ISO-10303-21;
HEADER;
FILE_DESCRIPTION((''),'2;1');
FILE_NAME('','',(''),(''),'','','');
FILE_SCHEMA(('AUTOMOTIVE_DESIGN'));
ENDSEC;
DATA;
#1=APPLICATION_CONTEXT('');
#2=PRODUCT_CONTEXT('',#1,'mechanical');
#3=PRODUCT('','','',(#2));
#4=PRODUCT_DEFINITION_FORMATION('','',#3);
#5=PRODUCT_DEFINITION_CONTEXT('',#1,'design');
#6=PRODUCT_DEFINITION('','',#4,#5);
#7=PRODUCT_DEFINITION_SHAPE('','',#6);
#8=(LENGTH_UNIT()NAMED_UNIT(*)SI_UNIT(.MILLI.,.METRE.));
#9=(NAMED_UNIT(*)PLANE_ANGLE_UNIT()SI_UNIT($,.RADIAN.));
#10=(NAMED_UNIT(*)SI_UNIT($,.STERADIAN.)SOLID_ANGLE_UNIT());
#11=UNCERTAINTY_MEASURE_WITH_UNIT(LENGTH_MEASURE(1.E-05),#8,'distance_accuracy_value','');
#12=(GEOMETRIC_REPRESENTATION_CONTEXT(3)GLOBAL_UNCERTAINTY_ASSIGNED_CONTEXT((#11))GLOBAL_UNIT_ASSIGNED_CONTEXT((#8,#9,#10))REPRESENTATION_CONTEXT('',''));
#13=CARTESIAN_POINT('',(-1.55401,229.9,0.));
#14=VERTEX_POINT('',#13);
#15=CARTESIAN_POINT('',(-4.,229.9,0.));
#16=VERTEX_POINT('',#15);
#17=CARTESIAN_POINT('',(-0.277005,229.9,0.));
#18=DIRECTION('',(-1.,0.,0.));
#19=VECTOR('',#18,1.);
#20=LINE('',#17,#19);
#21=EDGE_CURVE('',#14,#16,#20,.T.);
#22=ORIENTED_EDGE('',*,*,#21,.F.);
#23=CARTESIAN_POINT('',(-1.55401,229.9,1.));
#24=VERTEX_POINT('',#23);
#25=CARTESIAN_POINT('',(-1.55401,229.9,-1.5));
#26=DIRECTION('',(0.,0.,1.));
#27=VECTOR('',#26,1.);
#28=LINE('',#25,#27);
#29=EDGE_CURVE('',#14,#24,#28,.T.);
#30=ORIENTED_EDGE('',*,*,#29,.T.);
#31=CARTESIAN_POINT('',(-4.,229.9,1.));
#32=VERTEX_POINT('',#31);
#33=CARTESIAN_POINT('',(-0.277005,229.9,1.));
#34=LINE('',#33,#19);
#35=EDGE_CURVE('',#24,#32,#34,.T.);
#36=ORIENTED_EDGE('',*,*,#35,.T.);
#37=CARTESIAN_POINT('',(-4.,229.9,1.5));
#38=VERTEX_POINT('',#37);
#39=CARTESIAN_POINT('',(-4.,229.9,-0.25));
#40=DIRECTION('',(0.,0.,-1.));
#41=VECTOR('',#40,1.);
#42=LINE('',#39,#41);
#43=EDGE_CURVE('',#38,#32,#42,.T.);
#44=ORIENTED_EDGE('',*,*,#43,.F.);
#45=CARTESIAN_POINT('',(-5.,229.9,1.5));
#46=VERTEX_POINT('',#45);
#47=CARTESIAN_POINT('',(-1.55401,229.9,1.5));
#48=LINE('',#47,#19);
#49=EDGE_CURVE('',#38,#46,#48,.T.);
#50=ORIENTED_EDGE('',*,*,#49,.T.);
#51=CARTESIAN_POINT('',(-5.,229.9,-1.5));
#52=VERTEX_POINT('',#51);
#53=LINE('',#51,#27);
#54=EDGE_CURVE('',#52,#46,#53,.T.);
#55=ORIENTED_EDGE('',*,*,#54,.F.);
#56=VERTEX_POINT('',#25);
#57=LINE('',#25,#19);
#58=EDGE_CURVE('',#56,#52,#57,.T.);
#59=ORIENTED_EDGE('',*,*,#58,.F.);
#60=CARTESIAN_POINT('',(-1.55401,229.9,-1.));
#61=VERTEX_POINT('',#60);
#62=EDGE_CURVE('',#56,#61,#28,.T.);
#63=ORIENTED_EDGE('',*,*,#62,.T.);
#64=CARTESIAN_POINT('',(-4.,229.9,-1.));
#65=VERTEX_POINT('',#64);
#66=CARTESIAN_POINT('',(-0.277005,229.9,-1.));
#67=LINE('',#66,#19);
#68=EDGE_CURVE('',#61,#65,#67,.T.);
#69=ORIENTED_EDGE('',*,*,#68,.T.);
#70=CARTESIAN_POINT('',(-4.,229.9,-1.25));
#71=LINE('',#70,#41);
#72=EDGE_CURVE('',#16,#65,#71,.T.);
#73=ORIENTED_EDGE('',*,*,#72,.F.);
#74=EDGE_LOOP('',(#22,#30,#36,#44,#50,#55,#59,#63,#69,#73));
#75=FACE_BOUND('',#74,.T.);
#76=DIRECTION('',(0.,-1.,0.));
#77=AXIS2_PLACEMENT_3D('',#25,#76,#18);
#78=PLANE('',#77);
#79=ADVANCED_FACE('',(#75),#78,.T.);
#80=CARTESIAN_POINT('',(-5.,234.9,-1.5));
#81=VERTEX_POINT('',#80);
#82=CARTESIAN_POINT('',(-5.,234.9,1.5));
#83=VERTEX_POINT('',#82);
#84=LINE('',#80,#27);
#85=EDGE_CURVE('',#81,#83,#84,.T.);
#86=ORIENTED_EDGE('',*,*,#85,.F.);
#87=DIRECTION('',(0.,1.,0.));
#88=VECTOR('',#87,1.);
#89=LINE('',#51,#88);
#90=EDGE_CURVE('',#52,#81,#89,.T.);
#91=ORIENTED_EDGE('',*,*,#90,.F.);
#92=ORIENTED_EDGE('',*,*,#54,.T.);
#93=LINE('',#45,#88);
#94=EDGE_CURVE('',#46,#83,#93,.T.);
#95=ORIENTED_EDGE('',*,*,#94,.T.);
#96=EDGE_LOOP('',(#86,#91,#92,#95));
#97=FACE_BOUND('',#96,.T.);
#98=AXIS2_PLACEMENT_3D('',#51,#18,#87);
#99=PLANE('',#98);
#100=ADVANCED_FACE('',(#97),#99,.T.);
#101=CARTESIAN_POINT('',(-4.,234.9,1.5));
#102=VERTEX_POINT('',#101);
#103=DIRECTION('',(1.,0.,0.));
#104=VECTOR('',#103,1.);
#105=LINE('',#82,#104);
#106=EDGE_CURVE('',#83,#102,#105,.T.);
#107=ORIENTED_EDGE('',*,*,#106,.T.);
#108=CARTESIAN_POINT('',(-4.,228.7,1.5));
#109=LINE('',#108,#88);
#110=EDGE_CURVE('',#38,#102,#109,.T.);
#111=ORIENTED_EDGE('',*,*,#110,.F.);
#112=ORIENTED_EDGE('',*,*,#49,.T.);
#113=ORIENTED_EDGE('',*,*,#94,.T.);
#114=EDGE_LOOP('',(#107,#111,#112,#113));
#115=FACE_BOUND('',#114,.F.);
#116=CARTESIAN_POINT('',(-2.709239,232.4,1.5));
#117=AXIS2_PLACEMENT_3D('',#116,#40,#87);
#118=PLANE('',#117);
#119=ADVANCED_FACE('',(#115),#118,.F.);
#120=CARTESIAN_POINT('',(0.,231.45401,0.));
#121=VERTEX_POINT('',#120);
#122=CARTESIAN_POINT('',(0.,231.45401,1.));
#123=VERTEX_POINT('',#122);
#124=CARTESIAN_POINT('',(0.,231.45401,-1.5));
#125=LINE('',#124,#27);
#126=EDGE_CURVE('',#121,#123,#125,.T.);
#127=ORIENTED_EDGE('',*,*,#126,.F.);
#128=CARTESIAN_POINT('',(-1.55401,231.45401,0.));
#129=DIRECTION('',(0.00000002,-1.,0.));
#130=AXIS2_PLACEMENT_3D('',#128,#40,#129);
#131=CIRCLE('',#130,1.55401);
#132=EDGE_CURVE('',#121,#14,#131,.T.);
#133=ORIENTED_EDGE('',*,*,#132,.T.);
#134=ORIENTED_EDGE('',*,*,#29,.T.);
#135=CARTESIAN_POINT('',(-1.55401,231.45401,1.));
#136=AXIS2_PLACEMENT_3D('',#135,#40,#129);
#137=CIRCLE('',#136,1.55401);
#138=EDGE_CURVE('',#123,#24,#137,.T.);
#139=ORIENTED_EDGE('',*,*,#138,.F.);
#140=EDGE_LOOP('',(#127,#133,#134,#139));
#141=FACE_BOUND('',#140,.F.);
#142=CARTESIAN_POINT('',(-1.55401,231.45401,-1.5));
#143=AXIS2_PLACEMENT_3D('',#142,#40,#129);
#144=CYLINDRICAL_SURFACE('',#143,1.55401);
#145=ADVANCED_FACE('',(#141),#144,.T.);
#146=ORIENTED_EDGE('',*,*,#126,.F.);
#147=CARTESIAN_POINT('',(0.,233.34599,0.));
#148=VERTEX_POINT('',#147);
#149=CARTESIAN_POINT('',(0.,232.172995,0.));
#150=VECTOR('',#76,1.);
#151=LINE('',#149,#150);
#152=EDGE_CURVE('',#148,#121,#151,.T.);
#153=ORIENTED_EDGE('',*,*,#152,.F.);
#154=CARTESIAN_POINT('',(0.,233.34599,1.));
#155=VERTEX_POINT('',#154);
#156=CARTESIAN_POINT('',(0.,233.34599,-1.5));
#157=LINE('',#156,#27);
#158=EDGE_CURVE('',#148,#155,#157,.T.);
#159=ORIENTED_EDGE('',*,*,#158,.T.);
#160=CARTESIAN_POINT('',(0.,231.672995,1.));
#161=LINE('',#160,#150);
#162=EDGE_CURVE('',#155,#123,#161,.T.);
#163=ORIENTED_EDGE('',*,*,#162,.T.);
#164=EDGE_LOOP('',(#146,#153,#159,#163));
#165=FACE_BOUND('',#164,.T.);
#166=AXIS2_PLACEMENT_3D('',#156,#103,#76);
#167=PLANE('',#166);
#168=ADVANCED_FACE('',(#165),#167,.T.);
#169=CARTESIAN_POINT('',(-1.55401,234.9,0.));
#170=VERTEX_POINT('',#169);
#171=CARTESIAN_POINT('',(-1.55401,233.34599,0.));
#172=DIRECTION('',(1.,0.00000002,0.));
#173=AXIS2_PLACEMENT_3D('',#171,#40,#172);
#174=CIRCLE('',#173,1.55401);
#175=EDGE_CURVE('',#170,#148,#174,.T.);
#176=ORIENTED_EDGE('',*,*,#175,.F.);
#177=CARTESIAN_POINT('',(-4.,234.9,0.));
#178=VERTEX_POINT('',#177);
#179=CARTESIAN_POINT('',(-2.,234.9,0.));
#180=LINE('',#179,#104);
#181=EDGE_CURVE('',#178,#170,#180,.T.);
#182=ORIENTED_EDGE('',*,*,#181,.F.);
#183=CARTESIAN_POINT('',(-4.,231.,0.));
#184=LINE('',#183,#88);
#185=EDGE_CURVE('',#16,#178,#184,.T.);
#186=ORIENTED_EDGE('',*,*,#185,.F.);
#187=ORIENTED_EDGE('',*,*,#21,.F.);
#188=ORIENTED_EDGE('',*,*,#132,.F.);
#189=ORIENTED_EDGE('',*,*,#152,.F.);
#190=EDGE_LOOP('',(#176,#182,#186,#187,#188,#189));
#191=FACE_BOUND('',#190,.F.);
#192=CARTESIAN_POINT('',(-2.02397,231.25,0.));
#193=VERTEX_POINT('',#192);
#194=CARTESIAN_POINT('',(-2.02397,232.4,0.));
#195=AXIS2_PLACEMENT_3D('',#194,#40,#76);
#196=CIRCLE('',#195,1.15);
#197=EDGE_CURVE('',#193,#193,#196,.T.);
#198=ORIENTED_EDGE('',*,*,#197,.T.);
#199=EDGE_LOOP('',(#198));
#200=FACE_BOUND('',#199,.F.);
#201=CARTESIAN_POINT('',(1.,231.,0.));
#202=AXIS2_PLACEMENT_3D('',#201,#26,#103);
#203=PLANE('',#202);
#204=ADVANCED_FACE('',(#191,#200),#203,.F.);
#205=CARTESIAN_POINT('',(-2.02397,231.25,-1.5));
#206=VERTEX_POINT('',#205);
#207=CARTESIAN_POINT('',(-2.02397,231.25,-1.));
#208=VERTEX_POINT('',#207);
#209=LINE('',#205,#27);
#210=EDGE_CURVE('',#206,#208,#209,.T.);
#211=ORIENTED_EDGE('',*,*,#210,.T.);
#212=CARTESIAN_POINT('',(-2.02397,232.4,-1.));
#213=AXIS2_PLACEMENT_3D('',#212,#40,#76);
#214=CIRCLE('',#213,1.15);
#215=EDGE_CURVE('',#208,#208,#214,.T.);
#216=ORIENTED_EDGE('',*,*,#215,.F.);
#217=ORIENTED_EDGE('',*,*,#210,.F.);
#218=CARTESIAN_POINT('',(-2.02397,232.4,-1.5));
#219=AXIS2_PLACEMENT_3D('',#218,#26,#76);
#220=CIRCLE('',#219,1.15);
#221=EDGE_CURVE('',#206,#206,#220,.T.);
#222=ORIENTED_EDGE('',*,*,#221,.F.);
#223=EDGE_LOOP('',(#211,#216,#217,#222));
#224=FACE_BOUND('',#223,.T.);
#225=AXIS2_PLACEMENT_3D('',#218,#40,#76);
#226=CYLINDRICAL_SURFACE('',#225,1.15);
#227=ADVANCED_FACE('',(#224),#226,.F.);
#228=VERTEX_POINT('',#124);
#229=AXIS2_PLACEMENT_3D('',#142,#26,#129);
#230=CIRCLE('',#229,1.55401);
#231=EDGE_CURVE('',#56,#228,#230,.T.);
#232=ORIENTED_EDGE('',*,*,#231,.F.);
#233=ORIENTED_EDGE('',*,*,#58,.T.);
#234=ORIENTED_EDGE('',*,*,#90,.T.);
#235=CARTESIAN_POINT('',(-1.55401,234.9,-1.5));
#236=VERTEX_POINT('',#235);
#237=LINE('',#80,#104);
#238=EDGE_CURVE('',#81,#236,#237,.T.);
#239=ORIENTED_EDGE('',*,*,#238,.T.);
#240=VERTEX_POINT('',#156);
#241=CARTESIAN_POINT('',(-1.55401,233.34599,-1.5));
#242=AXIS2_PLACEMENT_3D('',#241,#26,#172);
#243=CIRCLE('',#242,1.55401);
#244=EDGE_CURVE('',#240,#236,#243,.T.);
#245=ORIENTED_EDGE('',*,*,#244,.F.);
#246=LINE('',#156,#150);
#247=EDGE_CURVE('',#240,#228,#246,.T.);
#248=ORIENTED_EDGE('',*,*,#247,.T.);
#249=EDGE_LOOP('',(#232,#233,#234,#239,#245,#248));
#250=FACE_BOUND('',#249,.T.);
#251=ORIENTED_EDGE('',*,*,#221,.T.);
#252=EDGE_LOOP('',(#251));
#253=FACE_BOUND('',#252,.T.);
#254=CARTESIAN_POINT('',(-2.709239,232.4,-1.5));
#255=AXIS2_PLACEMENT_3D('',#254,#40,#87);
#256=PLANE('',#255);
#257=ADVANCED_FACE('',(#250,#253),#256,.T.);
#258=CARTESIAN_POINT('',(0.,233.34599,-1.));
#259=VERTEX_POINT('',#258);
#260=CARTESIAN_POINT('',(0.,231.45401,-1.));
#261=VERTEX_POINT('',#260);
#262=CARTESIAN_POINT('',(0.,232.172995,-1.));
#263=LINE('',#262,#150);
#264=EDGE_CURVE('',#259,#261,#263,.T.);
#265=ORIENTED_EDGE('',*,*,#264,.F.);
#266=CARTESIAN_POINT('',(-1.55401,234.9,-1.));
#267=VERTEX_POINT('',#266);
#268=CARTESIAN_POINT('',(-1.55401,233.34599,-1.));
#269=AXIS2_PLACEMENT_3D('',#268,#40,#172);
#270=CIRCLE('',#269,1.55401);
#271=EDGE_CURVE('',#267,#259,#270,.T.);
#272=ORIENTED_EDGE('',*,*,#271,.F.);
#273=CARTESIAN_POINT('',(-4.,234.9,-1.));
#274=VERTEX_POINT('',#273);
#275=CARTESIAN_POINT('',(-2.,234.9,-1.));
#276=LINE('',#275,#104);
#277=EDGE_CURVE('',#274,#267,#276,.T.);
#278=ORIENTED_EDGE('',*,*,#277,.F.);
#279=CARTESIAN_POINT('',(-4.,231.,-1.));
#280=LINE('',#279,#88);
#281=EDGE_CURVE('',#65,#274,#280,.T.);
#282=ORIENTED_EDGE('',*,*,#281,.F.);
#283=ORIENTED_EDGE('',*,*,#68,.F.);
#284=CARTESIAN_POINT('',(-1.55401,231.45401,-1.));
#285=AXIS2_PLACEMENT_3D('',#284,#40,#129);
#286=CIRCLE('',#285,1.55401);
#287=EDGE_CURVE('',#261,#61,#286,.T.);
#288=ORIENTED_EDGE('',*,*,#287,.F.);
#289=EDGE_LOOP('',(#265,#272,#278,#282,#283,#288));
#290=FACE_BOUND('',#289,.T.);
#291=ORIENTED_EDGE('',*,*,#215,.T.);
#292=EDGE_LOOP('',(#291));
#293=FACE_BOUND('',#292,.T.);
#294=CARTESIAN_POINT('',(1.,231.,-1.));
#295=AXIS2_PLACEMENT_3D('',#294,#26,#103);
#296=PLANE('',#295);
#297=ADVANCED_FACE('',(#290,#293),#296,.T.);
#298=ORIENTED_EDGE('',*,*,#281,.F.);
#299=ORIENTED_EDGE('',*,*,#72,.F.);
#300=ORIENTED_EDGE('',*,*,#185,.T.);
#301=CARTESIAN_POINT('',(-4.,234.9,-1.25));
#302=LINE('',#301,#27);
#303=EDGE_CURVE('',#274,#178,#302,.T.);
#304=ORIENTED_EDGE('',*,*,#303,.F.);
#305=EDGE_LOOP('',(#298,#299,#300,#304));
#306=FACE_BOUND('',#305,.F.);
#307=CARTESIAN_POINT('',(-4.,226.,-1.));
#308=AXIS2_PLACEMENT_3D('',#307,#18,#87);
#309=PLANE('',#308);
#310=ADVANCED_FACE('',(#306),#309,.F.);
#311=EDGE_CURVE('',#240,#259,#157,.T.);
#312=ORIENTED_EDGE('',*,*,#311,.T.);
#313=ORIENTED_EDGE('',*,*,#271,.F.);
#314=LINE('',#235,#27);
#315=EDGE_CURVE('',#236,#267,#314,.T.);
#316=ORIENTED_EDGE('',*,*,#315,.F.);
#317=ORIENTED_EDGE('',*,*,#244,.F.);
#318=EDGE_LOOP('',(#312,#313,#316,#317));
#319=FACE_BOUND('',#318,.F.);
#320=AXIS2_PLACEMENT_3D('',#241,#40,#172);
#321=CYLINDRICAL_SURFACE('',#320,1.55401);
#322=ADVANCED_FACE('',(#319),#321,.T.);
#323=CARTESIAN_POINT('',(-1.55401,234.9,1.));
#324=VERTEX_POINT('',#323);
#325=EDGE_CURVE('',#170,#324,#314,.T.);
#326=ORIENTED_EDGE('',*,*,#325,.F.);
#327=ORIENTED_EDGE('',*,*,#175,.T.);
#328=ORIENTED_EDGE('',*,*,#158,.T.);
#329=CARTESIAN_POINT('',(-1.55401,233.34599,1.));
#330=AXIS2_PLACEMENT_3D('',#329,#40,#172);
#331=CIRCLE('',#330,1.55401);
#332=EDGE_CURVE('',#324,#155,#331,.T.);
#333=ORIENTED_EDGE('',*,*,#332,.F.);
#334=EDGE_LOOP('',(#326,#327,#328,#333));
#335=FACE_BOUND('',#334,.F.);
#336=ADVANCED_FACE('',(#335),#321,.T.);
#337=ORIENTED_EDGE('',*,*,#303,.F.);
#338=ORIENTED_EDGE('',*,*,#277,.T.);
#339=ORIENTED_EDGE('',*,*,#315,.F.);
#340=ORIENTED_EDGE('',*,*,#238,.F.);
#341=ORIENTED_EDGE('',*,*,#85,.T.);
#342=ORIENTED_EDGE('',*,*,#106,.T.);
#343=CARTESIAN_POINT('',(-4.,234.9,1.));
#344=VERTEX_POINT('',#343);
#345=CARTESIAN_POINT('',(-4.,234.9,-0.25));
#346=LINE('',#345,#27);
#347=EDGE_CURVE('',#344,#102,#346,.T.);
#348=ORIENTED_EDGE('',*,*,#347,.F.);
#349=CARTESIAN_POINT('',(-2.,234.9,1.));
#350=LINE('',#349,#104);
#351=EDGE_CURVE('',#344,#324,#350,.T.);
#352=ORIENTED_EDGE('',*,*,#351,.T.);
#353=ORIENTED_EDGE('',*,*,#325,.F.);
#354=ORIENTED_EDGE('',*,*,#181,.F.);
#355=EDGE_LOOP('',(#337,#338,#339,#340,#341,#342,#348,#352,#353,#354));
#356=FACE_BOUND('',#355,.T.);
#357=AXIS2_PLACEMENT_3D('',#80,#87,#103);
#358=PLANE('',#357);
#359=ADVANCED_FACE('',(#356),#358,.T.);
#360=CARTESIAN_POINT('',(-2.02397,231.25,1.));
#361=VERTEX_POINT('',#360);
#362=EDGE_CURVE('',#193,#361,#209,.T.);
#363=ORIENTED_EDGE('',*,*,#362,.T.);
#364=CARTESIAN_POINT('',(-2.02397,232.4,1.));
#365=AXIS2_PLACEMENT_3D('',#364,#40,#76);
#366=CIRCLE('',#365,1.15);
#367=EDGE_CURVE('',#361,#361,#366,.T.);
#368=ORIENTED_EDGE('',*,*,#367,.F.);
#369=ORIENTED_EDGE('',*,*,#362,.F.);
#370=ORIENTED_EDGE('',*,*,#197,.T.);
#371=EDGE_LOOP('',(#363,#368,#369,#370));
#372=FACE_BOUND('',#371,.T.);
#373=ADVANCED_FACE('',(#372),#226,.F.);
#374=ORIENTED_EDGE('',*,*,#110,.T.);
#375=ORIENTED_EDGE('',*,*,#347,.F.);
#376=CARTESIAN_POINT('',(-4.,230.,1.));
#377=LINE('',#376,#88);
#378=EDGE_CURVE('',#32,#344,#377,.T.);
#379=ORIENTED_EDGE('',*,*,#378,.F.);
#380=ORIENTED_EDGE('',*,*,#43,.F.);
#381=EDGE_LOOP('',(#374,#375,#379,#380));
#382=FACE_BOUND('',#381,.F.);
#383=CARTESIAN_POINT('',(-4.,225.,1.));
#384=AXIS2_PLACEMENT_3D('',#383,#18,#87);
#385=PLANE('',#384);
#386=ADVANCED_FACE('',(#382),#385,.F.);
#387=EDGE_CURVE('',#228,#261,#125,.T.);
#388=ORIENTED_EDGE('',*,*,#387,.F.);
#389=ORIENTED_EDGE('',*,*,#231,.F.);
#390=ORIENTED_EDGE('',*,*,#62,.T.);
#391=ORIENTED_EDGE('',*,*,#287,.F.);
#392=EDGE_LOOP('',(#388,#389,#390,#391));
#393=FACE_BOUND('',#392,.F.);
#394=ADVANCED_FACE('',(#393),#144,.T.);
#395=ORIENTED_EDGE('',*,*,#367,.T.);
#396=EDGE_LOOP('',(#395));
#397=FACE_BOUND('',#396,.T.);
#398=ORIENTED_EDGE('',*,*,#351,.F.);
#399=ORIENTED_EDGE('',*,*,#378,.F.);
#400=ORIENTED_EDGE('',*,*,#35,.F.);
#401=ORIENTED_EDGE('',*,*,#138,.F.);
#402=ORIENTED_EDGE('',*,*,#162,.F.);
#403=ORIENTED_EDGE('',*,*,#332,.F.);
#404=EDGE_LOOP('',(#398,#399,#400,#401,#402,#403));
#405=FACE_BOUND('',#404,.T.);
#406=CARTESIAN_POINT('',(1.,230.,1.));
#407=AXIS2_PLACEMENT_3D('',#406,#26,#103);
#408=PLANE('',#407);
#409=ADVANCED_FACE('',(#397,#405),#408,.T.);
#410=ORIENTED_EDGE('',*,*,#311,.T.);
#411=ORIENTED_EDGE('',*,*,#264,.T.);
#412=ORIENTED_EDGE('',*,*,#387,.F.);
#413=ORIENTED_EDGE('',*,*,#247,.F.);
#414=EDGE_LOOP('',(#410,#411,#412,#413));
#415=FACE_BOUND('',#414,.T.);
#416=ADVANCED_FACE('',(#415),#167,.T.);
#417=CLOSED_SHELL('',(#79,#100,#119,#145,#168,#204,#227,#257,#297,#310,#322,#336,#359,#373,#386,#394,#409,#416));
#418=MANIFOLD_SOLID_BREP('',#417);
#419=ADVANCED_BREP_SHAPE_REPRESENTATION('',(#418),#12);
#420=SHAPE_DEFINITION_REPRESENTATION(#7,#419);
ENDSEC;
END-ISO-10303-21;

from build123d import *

# Parameters (mm, degrees)
BOX106_W                                  = 10
BOX106_H                                  = 10
BOX106_DEPTH                              = 1
BOX105_W                                  = 10
BOX105_H                                  = 10
BOX105_DEPTH                              = 10
SKETCH012_AS_DRAWN_R                      = 1.15
EXTRUDE002_DEPTH                          = 3
EXTRUDE002_ONTO_SKETCH012_PLACEMENT_ANGLE = -90


with BuildPart() as cubo106:
    # Box106 → Box106 (new body)
    with BuildSketch(Plane(origin=(-4, 226, -1), x_dir=(1, 0, 0), z_dir=(0, 0, 1))):
        with Locations((5, 5)):
            Rectangle(BOX106_W, BOX106_H)
    extrude(amount=BOX106_DEPTH)


with BuildPart() as cubo105:
    # Box105 → Box105 (new body)
    with BuildSketch(Plane(origin=(-4, 225, 1), x_dir=(1, 0, 0), z_dir=(0, 0, 1))):
        with Locations((5, 5)):
            Rectangle(BOX105_W, BOX105_H)
    extrude(amount=BOX105_DEPTH)


with BuildPart() as pivote_superior001:
    # Sketch012 as drawn → Extrude002 (new)
    with BuildSketch(Plane.XY):
        with BuildLine():
            Line((-0.94599, 5), (0.94599, 5))
            ThreePointArc((2.5, 3.44599), (2.044841, 4.544841), (0.94599, 5))
            Line((2.5, 3.44599), (2.5, 0))
            Line((2.5, 0), (-2.5, 0))
            Line((-2.5, 0), (-2.5, 3.44599))
            ThreePointArc((-0.94599, 5), (-2.044841, 4.544841), (-2.5, 3.44599))
        make_face()
        with Locations((0, 2.97603)):
            Circle(SKETCH012_AS_DRAWN_R, mode=Mode.SUBTRACT)
    extrude(amount=EXTRUDE002_DEPTH)


with BuildPart() as pivote_superior001_1:
    # Extrude002 onto Sketch012 placement: moved
    add(pivote_superior001.part.moved(Location((-5, 232.4, 0))).rotate(Axis((-5, 232.4, 0), (0, 0, 1)), EXTRUDE002_ONTO_SKETCH012_PLACEMENT_ANGLE))


with BuildPart() as pivote_superior001_2:
    # Extrude002 placement: moved
    add(pivote_superior001_1.part.moved(Location((0, 0, -1.5))))

    # Cut054: cut Cubo105
    add(cubo105.part, mode=Mode.SUBTRACT)

    # Cut055: cut Cubo106
    add(cubo106.part, mode=Mode.SUBTRACT)


solid = pivote_superior001_2.part
